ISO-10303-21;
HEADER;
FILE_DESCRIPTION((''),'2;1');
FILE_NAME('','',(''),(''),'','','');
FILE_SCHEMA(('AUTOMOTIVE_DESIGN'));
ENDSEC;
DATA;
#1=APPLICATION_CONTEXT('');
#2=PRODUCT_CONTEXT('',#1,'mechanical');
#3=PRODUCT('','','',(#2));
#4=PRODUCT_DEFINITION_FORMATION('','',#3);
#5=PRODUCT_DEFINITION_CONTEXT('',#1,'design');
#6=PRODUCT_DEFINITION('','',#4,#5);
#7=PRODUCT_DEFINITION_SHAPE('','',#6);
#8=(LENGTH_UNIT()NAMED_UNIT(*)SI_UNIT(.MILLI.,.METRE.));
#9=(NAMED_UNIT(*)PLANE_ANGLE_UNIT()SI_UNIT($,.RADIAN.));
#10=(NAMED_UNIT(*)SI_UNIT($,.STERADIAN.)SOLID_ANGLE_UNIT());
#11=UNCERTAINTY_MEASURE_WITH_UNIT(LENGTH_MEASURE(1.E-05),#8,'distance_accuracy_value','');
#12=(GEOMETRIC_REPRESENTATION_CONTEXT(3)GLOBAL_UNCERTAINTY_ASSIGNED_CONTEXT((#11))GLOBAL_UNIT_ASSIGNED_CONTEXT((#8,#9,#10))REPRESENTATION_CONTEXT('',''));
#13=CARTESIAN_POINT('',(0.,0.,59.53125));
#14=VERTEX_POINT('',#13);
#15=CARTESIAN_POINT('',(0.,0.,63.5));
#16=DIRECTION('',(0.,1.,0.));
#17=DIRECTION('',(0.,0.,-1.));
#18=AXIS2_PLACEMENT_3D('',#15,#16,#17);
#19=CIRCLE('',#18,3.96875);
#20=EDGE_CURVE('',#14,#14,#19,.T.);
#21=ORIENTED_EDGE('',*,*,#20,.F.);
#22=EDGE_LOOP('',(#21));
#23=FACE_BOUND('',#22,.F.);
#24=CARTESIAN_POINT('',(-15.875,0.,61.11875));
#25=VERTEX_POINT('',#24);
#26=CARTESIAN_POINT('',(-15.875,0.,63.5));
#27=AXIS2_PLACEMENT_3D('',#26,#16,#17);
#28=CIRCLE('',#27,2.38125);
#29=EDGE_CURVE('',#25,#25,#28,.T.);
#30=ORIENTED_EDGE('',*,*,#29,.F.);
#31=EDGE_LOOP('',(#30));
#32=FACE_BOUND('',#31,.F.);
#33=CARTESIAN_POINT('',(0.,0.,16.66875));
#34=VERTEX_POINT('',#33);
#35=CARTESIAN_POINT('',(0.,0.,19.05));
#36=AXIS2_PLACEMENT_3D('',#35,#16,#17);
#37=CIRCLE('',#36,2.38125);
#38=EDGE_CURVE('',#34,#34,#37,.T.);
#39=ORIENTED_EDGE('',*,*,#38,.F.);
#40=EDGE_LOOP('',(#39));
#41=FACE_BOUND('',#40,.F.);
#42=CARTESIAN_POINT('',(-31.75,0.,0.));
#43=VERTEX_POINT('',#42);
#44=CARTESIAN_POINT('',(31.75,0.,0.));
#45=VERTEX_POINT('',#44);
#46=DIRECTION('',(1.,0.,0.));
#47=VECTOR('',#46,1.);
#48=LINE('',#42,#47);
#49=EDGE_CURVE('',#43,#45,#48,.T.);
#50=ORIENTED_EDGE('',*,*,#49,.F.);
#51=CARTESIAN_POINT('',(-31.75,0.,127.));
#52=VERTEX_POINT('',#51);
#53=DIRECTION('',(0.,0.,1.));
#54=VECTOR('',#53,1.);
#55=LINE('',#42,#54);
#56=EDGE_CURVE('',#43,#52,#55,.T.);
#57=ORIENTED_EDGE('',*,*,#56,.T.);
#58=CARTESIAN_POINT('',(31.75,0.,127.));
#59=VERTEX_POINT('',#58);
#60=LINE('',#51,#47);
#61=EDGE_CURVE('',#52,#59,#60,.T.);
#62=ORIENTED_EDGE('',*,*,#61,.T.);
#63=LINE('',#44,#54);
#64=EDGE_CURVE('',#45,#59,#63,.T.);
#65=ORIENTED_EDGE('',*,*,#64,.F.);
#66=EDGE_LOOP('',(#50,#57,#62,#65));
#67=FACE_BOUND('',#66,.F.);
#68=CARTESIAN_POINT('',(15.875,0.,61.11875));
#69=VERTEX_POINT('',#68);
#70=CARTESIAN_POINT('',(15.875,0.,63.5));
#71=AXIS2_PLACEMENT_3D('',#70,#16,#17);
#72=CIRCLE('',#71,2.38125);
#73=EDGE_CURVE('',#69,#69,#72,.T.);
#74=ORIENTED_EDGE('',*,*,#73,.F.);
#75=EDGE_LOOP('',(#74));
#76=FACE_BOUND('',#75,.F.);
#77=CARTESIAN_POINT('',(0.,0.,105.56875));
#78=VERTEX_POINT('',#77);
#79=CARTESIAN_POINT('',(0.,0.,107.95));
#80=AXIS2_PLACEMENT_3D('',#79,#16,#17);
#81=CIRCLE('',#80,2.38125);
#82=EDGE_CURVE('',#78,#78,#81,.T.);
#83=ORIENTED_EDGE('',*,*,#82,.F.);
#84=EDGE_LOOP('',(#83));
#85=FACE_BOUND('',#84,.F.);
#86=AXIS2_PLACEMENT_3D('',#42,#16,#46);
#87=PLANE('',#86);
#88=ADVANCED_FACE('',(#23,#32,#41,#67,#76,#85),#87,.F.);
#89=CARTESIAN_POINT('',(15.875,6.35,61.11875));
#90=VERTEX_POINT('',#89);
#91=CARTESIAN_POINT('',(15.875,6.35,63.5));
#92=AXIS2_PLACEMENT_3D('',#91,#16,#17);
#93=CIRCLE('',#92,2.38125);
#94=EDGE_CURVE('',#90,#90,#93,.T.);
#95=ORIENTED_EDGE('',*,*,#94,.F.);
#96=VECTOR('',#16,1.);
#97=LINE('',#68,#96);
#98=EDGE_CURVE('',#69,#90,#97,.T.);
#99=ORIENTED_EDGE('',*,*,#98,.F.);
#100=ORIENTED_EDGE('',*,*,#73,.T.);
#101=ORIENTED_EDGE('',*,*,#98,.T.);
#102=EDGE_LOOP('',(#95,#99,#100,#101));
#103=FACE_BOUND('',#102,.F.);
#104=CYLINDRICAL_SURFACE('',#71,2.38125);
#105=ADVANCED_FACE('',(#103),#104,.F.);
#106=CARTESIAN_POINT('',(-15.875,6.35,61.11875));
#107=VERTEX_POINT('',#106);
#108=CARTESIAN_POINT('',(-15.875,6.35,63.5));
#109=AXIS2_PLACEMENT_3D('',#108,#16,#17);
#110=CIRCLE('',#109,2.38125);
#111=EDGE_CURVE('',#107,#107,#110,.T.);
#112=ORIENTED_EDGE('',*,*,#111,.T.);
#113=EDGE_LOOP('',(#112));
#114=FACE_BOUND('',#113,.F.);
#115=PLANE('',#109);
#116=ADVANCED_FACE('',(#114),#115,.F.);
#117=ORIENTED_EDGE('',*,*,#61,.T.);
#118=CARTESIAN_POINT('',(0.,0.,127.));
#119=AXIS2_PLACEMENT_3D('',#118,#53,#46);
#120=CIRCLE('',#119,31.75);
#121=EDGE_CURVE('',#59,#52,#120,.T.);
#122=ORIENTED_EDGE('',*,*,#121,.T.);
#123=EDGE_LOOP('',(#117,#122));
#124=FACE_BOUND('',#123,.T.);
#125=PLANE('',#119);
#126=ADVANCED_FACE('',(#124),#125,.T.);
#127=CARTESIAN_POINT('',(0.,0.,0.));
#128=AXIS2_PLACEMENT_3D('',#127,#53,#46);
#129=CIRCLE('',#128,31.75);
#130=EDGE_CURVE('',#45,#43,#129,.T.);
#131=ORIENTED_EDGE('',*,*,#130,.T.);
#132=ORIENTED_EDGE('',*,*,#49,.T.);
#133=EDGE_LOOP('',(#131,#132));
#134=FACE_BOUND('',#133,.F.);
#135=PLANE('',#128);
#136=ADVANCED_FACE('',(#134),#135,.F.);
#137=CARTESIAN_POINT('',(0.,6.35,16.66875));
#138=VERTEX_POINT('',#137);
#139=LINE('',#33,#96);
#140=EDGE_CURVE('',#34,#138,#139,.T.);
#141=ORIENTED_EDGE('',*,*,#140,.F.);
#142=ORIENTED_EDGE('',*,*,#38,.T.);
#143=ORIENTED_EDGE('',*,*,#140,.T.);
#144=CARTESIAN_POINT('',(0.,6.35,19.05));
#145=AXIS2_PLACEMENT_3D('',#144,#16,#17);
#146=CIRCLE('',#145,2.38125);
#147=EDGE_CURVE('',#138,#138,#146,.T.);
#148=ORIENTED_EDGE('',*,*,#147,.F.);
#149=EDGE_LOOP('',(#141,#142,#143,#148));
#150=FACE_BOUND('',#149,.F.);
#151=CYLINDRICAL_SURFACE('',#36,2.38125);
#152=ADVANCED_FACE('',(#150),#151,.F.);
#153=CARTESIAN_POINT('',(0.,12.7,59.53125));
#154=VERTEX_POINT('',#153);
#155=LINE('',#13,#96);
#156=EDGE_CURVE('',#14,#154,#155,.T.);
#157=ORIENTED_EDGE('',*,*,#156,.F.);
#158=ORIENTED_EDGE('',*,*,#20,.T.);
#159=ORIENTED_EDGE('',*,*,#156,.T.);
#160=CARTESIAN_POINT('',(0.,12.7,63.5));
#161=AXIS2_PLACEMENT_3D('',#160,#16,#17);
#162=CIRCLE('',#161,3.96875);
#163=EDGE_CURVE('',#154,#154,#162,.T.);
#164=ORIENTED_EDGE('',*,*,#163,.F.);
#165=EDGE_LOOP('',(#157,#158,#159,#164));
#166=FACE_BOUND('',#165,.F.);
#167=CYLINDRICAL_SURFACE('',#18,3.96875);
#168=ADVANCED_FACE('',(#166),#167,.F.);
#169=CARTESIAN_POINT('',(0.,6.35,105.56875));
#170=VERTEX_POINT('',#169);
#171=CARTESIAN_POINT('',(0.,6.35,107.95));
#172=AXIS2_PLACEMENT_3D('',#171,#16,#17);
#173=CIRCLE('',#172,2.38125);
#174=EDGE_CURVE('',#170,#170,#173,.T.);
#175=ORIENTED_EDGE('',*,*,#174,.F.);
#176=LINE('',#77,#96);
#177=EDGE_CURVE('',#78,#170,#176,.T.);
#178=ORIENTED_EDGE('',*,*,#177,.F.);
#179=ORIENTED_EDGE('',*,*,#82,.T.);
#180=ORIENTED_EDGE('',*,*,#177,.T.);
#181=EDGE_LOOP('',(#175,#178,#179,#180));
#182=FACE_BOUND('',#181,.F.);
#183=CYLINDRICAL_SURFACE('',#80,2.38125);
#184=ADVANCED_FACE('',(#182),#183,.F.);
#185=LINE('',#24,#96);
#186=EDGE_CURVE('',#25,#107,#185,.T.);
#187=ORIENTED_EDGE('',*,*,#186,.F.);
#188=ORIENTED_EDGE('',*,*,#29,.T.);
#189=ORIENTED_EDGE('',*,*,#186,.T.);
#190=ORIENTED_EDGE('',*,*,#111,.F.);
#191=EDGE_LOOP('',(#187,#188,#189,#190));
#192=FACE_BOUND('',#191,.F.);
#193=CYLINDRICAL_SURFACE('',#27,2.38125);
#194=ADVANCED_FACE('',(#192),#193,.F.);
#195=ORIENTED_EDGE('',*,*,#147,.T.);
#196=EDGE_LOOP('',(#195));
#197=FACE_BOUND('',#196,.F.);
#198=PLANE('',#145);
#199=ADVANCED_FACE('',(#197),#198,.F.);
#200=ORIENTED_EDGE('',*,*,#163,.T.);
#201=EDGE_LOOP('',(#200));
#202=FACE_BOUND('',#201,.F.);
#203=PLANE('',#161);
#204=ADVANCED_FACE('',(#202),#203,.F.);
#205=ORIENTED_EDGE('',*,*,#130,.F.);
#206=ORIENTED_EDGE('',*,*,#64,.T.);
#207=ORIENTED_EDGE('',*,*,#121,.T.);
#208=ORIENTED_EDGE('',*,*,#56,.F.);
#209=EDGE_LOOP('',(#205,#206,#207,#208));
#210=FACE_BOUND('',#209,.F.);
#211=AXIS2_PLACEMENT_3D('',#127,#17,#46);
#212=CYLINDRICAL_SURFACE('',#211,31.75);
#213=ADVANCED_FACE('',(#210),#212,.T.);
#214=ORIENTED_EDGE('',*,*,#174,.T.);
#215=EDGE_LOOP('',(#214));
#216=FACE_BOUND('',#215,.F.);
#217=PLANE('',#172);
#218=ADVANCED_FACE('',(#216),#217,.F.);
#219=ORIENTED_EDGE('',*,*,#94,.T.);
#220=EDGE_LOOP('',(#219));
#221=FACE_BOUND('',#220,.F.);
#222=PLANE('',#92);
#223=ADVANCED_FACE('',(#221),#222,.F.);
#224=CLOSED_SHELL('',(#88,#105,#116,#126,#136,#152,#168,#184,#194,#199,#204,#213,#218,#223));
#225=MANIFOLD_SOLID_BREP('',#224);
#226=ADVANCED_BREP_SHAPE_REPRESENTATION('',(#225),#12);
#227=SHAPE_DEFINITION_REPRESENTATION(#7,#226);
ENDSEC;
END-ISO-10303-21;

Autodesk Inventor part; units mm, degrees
ref_plane "YZ Plane" through (0, 0, 0) normal (1, 0, 0) x (0, 1, 0)
ref_plane "XZ Plane" through (0, 0, 0) normal (0, 1, 0) x (-1, 0, 0)
ref_plane "XY Plane" through (0, 0, 0) normal (0, 0, 1) x (1, 0, 0)
sketch "Sketch1" plane through (0, 0, 0) normal (0, 0, 1) x (1, 0, 0)
  arc A0 (31.75, 0) -> (-31.75, 0) centre (0, 0) ccw
  line L0 (-31.75, 0) -> (31.75, 0)
  dimension "diameter" = 63.5
extrude "Extrusion1" add sketch "Sketch1" along normal blind 127
sketch "Sketch2" plane through (-31.75, 0, 0) normal (0, -1, 0) x (1, 0, 0)
  line L0 (31.75, 0) -> (31.75, 127) construction
  line L1 (0, 127) -> (63.5, 127) construction
  line L2 (0, 0) -> (0, 127) construction
  line L3 (0, 63.5) -> (63.5, 63.5) construction
  line L4 (63.5, 0) -> (63.5, 127) construction
  point P0 (31.75, 63.5)
  point P1 (31.75, 107.95)
  point P2 (31.75, 19.05)
  point P3 (47.625, 63.5)
  point P4 (15.875, 63.5)
  dimension "d3" = 44.45
  dimension "d4" = 44.45
  dimension "d12" = 15.875
hole "Hole1" at (0, 0, 107.95) at (0, 0, 19.05) at (15.875, 0, 63.5) at (-15.875, 0, 63.5) direction (0, 1, 0) diameter 4.7625 depth 6.35
hole "Hole2" at (0, 0, 63.5) direction (0, 1, 0) diameter 7.9375 depth 12.7
equation "\"width\" = 2 * diameter"
equation "\"d4\" = d3"
properties part number "Greenhouse_3DPrint"
